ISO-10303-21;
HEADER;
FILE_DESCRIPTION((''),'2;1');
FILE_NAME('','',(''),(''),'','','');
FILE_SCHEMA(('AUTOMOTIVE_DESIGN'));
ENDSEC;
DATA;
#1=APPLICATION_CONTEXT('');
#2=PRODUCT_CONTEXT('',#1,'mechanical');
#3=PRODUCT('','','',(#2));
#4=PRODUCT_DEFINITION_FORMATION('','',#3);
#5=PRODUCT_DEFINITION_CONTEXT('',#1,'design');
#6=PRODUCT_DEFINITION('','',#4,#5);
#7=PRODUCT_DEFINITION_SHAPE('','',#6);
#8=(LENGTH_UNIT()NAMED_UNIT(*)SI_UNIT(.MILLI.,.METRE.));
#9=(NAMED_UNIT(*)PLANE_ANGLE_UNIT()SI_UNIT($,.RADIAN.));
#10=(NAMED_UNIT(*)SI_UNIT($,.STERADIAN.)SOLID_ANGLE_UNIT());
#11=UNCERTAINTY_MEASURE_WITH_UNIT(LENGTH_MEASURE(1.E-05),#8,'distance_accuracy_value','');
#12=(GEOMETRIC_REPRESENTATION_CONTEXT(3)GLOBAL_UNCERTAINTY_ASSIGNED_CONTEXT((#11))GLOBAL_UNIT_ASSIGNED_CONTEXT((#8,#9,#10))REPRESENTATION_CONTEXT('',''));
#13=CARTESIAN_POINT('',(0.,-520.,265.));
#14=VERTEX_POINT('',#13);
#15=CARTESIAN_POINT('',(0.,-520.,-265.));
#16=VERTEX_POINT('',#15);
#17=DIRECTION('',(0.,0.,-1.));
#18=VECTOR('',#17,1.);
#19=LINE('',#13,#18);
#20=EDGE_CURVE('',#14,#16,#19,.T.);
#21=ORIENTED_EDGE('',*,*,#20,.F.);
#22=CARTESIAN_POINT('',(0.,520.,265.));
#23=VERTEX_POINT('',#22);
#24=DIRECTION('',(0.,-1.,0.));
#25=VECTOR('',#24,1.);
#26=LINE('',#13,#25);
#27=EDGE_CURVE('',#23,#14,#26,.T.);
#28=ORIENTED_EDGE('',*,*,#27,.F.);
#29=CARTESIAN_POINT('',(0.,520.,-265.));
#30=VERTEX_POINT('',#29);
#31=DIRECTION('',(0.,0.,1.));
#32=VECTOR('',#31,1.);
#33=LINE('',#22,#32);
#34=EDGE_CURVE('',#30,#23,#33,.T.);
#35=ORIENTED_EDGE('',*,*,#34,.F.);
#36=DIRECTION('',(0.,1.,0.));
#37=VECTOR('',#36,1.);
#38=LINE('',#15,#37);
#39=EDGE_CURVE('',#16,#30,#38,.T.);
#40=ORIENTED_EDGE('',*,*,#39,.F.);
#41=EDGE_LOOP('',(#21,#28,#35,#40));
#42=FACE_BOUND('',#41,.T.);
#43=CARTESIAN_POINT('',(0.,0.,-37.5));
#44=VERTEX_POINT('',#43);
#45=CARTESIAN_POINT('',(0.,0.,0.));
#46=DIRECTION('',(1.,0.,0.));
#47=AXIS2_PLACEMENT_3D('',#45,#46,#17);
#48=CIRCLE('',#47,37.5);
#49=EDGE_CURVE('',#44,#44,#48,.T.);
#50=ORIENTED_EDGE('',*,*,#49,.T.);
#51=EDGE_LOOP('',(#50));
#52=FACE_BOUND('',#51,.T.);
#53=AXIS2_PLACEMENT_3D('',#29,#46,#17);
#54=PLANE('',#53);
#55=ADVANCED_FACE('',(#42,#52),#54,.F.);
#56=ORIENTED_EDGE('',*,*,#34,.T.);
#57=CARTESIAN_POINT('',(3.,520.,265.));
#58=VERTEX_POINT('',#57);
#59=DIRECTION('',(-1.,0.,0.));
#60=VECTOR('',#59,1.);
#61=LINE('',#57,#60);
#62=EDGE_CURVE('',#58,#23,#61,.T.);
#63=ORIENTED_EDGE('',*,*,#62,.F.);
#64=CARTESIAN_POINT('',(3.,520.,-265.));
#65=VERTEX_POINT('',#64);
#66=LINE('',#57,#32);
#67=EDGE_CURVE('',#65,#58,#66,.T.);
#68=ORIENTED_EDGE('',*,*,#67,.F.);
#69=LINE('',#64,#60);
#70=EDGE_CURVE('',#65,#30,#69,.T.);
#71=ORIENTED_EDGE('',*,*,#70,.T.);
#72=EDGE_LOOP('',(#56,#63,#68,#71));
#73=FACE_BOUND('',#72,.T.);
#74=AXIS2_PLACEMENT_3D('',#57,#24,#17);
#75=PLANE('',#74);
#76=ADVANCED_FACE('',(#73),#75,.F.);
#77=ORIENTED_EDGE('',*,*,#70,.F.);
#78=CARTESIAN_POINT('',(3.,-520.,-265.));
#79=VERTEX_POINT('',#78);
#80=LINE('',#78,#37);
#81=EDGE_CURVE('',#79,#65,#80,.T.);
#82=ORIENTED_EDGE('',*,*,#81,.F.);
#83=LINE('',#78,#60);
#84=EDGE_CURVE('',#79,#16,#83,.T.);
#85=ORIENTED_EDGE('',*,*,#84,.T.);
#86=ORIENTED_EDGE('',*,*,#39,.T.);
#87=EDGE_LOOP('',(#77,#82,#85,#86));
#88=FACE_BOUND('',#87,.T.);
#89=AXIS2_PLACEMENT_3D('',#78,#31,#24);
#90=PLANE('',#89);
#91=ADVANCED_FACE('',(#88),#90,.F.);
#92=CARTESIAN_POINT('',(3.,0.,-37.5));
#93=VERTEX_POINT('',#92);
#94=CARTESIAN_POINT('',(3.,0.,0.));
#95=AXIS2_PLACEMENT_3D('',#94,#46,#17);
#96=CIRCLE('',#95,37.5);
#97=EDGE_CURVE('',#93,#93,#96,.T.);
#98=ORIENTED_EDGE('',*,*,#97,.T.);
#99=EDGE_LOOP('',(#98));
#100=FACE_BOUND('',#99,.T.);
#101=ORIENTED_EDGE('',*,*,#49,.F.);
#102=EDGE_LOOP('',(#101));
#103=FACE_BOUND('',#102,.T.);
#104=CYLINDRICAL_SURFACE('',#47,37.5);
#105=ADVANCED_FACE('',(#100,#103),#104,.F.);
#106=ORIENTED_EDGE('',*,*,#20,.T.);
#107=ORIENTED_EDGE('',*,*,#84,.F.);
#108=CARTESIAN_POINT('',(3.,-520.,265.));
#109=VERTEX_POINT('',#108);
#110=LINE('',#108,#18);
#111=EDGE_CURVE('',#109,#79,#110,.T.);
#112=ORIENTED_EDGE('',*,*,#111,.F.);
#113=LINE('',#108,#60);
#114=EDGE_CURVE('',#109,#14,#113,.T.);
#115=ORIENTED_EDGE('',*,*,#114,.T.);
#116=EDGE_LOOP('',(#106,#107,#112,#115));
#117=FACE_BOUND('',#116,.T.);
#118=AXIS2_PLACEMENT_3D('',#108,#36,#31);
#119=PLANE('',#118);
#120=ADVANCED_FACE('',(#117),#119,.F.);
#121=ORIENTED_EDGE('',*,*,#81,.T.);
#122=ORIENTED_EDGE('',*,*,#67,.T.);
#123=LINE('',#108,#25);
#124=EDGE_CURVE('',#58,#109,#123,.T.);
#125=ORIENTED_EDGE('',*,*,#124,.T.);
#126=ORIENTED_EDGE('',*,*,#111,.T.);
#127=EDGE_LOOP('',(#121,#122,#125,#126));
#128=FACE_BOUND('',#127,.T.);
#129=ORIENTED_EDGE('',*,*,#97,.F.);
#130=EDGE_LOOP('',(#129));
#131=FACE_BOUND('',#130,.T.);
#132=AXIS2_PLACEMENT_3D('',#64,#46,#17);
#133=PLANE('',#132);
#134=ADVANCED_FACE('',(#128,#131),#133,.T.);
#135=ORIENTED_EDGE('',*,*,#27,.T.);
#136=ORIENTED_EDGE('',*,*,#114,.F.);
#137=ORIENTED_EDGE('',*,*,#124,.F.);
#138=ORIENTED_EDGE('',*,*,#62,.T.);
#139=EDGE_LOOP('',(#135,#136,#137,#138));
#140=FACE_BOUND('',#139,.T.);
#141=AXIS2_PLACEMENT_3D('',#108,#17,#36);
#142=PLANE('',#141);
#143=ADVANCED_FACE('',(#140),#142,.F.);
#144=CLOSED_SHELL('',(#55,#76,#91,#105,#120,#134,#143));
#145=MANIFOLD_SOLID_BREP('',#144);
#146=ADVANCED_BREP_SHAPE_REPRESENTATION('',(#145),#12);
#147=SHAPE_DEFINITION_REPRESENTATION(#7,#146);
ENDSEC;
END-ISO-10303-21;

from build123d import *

# Parameters (mm, degrees)
CROQUIS1_W     = 1040
CROQUIS1_H     = 530
EXTRUIR1_DEPTH = 3
CROQUIS2_R     = 37.5
EXTRUIR2_DEPTH = 584.638586798


with BuildPart() as part:
    # Croquis1 → Extruir1 (new body)
    with BuildSketch(Plane(origin=(0, 0, 0), x_dir=(0, -1, 0), z_dir=(1, 0, 0))):
        Rectangle(CROQUIS1_W, CROQUIS1_H)
    extrude(amount=EXTRUIR1_DEPTH)

    # Croquis2 → Extruir2 (cut, through all)
    with BuildSketch(Plane(origin=(3, 0, 0), x_dir=(0, 0, -1), z_dir=(1, 0, 0))):
        Circle(CROQUIS2_R)
    extrude(amount=-EXTRUIR2_DEPTH, mode=Mode.SUBTRACT)


solid = part.part
